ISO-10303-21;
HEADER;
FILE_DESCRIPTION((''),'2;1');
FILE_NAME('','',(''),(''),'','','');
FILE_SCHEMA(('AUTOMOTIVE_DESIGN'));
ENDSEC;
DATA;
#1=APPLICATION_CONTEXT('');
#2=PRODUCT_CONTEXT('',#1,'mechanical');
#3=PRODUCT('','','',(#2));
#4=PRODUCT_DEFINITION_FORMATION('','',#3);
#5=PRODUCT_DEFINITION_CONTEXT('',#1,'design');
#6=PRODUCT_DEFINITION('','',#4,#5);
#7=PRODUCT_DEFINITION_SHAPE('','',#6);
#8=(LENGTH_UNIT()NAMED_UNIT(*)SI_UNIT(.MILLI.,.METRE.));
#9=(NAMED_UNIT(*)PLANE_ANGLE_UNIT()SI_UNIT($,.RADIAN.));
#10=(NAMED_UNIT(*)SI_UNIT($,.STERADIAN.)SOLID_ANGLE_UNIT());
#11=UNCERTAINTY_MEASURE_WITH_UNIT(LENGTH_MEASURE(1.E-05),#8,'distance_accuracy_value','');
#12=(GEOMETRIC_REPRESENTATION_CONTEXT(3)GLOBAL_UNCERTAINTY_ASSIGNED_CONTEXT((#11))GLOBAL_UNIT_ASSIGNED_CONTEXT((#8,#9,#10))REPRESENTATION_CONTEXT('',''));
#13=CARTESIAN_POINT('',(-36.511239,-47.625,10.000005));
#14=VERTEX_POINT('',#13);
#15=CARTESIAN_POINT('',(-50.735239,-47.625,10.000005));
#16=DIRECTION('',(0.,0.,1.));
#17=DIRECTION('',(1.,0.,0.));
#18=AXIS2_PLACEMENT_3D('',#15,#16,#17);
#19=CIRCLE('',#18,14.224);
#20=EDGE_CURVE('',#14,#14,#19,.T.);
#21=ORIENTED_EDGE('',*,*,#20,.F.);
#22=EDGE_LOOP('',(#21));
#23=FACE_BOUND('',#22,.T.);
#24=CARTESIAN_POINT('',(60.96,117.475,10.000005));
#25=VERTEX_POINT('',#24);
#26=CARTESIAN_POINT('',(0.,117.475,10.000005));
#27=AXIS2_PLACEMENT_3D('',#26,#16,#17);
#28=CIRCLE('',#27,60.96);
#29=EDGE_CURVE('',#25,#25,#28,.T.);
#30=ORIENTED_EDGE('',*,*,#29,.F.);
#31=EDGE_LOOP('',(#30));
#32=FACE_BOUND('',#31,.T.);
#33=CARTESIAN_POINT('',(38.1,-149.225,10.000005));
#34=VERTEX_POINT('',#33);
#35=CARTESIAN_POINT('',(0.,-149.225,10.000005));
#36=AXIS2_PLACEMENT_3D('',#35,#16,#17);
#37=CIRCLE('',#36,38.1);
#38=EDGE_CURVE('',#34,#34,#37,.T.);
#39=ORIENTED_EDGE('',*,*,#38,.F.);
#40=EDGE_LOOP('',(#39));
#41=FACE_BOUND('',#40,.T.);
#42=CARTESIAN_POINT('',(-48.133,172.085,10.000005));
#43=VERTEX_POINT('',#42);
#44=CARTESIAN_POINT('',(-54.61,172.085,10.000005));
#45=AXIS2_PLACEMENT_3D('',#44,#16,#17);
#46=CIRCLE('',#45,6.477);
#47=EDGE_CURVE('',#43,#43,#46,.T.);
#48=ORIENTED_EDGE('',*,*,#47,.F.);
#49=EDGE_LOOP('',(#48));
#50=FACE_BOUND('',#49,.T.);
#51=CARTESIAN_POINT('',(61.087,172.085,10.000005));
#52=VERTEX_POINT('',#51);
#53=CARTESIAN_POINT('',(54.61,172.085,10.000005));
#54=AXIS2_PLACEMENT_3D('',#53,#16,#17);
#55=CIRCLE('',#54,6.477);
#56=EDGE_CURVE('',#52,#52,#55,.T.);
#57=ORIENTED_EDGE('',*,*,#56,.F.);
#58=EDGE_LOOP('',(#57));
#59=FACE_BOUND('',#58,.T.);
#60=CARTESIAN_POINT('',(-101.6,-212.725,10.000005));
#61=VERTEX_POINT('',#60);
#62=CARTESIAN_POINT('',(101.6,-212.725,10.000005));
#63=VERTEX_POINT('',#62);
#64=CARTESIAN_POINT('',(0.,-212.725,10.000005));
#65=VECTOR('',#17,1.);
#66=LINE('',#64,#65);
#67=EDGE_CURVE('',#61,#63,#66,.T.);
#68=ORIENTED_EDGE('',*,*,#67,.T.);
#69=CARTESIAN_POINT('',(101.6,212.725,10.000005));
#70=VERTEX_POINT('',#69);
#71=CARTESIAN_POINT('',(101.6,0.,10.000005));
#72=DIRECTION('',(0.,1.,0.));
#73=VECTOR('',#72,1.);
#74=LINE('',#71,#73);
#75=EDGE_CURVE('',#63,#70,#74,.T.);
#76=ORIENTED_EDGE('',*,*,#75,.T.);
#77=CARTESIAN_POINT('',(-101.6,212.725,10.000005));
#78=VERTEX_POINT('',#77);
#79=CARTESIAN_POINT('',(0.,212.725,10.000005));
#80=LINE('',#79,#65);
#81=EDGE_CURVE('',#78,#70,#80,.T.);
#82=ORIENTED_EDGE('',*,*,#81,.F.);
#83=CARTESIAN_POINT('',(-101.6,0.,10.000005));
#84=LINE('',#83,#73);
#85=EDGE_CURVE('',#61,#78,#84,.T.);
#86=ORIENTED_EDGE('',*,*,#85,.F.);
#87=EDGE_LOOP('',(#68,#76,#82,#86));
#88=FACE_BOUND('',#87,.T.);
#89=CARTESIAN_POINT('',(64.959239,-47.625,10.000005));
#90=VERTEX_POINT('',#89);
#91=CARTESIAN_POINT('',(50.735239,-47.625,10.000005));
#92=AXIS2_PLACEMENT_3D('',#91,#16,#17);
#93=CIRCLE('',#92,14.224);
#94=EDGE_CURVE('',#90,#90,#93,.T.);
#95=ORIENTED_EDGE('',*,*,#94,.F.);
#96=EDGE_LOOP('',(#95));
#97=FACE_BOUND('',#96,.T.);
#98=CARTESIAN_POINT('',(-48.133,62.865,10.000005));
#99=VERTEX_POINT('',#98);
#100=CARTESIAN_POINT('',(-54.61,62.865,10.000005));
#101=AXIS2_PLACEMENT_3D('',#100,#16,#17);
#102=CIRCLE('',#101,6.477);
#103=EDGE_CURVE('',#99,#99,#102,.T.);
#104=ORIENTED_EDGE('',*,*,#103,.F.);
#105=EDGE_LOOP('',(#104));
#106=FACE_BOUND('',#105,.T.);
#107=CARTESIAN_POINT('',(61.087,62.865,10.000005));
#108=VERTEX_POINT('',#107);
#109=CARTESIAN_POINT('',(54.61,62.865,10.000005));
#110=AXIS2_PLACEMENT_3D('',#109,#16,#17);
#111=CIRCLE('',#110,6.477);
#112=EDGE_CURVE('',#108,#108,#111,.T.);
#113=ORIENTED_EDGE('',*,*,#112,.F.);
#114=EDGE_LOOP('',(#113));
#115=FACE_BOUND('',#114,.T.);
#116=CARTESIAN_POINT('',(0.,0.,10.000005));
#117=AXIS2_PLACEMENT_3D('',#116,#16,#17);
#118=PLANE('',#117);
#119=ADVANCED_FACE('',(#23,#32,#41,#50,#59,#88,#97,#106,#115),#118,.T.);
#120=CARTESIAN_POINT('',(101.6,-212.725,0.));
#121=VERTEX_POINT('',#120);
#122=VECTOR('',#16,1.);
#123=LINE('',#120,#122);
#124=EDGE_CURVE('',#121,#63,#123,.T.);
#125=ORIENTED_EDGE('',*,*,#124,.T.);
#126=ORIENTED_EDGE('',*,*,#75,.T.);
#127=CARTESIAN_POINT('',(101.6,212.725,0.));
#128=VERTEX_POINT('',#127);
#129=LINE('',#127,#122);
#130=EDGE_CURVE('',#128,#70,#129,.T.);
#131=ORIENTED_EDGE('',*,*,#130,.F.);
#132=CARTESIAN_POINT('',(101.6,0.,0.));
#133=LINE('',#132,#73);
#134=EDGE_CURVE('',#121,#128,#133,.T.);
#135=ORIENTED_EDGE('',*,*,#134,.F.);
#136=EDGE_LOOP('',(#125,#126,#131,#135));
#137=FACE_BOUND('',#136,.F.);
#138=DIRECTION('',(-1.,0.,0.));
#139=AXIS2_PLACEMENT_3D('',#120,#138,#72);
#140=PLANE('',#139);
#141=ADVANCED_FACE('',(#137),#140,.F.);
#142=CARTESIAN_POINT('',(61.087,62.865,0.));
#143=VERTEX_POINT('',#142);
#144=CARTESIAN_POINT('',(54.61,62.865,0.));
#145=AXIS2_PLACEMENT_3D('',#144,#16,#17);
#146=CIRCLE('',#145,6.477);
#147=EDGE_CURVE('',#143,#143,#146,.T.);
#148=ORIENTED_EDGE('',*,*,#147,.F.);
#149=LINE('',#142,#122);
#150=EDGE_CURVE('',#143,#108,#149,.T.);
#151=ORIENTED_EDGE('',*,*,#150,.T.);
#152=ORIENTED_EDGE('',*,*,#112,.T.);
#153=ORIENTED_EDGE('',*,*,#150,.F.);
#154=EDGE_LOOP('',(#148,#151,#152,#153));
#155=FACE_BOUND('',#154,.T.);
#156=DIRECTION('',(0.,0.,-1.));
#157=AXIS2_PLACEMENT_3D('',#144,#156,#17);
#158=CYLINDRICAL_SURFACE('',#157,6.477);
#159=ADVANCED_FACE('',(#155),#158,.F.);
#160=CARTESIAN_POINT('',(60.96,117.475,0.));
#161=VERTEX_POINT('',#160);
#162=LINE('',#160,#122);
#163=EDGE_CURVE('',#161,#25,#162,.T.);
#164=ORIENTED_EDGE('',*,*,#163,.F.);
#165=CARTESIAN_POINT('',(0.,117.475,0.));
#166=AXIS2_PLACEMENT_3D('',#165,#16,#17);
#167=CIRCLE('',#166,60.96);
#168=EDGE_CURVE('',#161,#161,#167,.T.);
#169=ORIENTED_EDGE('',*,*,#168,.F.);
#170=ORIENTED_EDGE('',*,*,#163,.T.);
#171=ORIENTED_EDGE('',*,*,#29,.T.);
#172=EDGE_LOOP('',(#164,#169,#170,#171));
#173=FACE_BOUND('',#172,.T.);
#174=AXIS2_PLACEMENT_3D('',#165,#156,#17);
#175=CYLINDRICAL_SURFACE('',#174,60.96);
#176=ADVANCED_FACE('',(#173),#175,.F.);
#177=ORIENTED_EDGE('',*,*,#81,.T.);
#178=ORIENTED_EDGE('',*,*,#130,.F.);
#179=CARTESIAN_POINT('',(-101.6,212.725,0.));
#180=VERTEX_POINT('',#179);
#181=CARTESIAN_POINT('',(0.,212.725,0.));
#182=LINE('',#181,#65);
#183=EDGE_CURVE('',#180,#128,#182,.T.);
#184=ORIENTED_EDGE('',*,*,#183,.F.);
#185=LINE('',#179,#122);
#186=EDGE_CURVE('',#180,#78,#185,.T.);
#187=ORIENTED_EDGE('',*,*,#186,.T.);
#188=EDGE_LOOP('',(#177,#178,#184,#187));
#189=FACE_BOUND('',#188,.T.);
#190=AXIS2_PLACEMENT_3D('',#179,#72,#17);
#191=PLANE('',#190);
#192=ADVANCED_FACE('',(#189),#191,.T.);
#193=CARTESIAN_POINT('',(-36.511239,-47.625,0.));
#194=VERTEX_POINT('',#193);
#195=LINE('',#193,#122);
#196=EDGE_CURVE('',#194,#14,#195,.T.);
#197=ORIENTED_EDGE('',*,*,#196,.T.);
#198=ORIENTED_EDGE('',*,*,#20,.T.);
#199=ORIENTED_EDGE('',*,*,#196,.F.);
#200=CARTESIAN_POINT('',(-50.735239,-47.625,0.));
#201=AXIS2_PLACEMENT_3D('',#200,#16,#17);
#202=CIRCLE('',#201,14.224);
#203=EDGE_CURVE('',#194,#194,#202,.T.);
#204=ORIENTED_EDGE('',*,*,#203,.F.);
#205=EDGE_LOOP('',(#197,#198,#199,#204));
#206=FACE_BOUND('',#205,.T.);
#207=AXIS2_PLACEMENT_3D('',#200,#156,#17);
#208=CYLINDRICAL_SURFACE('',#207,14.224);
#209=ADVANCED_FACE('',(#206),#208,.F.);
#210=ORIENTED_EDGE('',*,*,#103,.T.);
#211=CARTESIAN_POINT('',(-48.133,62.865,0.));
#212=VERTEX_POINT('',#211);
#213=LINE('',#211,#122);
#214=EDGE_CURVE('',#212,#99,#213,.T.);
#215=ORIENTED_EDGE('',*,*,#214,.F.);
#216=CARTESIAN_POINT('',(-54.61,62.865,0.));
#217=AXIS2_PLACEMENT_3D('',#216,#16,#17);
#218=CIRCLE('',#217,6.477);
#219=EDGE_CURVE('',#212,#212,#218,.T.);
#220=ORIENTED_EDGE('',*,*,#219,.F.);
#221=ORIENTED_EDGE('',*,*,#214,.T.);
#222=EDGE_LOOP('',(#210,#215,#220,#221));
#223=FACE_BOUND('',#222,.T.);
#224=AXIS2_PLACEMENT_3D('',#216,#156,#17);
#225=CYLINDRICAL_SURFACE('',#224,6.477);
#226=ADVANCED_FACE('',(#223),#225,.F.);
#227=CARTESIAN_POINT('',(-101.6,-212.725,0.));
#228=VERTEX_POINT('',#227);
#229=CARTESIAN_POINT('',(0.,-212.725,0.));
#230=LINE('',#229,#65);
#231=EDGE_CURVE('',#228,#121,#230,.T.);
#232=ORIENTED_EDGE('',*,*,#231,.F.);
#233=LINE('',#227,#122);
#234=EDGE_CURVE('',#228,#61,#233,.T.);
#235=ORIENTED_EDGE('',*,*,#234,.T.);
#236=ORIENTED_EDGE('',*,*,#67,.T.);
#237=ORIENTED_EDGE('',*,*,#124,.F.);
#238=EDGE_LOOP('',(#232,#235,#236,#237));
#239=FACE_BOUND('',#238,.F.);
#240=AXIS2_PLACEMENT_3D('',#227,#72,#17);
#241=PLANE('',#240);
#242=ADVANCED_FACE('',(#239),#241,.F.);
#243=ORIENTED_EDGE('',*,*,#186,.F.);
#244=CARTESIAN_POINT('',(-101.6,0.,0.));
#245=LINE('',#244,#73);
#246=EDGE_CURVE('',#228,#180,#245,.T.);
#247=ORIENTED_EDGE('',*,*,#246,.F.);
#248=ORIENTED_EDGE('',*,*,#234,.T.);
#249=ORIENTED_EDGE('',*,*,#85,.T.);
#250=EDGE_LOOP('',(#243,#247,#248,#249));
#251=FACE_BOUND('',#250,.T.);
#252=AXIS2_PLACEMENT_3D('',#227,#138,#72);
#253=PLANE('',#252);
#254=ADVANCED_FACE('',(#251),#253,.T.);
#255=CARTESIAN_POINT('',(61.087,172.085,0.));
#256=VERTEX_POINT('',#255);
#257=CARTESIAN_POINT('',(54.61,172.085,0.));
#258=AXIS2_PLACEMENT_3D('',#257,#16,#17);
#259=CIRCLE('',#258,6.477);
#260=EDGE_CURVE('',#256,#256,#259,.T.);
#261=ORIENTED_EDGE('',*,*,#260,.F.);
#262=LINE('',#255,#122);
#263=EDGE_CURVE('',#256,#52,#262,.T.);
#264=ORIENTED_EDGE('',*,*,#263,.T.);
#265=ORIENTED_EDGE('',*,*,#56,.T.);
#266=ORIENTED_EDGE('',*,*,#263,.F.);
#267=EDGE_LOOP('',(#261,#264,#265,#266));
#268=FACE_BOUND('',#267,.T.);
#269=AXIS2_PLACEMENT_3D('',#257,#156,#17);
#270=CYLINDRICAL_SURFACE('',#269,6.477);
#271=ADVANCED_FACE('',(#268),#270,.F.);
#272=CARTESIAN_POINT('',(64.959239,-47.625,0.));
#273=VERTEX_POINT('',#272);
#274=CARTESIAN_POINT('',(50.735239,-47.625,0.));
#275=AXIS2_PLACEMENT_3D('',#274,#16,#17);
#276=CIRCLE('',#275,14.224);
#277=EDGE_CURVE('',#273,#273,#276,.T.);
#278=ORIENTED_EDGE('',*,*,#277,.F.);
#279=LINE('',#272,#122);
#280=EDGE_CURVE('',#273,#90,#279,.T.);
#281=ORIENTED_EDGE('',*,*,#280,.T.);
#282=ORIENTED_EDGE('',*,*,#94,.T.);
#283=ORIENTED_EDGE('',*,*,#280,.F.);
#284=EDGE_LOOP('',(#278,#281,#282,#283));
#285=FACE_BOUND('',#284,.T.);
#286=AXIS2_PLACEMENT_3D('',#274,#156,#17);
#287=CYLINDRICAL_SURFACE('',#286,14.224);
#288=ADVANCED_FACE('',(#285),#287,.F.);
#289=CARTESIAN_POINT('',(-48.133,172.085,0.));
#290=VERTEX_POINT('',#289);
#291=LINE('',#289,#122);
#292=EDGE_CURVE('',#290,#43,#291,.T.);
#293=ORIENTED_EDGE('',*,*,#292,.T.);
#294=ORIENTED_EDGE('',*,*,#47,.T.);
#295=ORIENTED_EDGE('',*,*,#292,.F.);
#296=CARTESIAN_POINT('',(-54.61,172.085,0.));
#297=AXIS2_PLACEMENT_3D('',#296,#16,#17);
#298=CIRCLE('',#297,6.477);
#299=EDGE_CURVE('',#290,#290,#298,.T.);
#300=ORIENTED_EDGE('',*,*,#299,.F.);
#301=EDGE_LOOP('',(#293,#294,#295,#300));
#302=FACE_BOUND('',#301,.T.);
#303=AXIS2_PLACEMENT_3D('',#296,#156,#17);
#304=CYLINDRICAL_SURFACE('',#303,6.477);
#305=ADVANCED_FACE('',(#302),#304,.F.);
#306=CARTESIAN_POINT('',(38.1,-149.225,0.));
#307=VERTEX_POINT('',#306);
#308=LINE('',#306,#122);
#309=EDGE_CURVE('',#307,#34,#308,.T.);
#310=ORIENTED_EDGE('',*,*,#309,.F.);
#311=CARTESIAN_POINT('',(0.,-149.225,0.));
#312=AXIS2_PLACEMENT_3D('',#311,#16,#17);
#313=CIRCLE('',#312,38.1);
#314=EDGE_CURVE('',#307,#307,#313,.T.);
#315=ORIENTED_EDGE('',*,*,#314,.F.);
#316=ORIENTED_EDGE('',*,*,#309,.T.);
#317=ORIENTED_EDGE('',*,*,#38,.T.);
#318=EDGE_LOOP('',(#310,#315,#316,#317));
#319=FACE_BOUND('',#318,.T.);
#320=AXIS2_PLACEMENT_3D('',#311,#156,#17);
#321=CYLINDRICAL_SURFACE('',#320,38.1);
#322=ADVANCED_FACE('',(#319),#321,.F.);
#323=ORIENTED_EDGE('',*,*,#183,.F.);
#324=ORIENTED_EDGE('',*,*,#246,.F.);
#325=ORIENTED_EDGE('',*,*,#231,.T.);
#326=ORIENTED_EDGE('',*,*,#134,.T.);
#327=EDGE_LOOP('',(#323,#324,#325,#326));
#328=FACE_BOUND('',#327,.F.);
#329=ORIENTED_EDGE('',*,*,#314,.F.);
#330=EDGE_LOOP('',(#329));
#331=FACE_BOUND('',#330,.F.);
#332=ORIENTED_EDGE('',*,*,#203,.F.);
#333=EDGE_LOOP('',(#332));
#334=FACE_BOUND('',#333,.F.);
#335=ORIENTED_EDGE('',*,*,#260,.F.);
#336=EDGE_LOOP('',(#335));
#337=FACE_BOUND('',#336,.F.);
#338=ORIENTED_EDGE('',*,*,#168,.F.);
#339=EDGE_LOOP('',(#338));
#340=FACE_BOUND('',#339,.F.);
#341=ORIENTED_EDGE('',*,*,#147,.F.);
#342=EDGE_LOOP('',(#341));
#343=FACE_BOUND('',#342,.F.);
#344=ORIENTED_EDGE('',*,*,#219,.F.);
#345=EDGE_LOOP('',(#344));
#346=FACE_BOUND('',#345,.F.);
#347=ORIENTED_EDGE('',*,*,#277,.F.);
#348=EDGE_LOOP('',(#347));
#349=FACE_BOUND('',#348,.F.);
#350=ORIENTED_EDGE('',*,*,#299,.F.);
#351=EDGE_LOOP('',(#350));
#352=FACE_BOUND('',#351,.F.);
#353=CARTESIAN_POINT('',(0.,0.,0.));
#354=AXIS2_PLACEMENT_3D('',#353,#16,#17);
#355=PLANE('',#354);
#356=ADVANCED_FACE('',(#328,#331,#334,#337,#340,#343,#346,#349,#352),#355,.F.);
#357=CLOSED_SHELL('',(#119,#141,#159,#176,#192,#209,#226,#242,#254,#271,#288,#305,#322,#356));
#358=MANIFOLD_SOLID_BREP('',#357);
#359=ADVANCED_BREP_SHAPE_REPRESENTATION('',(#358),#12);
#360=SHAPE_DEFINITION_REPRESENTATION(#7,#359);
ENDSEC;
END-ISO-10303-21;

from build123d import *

# Parameters (mm, degrees)
SKETCH001_W   = 203.2
SKETCH001_H   = 425.45
SKETCH001_R   = 60.96
SKETCH001_R_2 = 38.1
SKETCH001_R_3 = 14.224
SKETCH001_R_4 = 6.477
PAD001_DEPTH  = 10.000005


with BuildPart() as part:
    # Sketch001 → Pad001 (new body)
    with BuildSketch(Plane.XY):
        Rectangle(SKETCH001_W, SKETCH001_H)
        with Locations((0, 117.475)):
            Circle(SKETCH001_R, mode=Mode.SUBTRACT)
        with Locations((0, -149.225)):
            Circle(SKETCH001_R_2, mode=Mode.SUBTRACT)
        with Locations((-50.735239, -47.625)):
            Circle(SKETCH001_R_3, mode=Mode.SUBTRACT)
        with Locations((50.735239, -47.625)):
            Circle(SKETCH001_R_3, mode=Mode.SUBTRACT)
        with Locations((54.61, 172.085)):
            Circle(SKETCH001_R_4, mode=Mode.SUBTRACT)
        with Locations((-54.61, 172.085)):
            Circle(SKETCH001_R_4, mode=Mode.SUBTRACT)
        with Locations((54.61, 62.865)):
            Circle(SKETCH001_R_4, mode=Mode.SUBTRACT)
        with Locations((-54.61, 62.865)):
            Circle(SKETCH001_R_4, mode=Mode.SUBTRACT)
    extrude(amount=PAD001_DEPTH)


solid = part.part
